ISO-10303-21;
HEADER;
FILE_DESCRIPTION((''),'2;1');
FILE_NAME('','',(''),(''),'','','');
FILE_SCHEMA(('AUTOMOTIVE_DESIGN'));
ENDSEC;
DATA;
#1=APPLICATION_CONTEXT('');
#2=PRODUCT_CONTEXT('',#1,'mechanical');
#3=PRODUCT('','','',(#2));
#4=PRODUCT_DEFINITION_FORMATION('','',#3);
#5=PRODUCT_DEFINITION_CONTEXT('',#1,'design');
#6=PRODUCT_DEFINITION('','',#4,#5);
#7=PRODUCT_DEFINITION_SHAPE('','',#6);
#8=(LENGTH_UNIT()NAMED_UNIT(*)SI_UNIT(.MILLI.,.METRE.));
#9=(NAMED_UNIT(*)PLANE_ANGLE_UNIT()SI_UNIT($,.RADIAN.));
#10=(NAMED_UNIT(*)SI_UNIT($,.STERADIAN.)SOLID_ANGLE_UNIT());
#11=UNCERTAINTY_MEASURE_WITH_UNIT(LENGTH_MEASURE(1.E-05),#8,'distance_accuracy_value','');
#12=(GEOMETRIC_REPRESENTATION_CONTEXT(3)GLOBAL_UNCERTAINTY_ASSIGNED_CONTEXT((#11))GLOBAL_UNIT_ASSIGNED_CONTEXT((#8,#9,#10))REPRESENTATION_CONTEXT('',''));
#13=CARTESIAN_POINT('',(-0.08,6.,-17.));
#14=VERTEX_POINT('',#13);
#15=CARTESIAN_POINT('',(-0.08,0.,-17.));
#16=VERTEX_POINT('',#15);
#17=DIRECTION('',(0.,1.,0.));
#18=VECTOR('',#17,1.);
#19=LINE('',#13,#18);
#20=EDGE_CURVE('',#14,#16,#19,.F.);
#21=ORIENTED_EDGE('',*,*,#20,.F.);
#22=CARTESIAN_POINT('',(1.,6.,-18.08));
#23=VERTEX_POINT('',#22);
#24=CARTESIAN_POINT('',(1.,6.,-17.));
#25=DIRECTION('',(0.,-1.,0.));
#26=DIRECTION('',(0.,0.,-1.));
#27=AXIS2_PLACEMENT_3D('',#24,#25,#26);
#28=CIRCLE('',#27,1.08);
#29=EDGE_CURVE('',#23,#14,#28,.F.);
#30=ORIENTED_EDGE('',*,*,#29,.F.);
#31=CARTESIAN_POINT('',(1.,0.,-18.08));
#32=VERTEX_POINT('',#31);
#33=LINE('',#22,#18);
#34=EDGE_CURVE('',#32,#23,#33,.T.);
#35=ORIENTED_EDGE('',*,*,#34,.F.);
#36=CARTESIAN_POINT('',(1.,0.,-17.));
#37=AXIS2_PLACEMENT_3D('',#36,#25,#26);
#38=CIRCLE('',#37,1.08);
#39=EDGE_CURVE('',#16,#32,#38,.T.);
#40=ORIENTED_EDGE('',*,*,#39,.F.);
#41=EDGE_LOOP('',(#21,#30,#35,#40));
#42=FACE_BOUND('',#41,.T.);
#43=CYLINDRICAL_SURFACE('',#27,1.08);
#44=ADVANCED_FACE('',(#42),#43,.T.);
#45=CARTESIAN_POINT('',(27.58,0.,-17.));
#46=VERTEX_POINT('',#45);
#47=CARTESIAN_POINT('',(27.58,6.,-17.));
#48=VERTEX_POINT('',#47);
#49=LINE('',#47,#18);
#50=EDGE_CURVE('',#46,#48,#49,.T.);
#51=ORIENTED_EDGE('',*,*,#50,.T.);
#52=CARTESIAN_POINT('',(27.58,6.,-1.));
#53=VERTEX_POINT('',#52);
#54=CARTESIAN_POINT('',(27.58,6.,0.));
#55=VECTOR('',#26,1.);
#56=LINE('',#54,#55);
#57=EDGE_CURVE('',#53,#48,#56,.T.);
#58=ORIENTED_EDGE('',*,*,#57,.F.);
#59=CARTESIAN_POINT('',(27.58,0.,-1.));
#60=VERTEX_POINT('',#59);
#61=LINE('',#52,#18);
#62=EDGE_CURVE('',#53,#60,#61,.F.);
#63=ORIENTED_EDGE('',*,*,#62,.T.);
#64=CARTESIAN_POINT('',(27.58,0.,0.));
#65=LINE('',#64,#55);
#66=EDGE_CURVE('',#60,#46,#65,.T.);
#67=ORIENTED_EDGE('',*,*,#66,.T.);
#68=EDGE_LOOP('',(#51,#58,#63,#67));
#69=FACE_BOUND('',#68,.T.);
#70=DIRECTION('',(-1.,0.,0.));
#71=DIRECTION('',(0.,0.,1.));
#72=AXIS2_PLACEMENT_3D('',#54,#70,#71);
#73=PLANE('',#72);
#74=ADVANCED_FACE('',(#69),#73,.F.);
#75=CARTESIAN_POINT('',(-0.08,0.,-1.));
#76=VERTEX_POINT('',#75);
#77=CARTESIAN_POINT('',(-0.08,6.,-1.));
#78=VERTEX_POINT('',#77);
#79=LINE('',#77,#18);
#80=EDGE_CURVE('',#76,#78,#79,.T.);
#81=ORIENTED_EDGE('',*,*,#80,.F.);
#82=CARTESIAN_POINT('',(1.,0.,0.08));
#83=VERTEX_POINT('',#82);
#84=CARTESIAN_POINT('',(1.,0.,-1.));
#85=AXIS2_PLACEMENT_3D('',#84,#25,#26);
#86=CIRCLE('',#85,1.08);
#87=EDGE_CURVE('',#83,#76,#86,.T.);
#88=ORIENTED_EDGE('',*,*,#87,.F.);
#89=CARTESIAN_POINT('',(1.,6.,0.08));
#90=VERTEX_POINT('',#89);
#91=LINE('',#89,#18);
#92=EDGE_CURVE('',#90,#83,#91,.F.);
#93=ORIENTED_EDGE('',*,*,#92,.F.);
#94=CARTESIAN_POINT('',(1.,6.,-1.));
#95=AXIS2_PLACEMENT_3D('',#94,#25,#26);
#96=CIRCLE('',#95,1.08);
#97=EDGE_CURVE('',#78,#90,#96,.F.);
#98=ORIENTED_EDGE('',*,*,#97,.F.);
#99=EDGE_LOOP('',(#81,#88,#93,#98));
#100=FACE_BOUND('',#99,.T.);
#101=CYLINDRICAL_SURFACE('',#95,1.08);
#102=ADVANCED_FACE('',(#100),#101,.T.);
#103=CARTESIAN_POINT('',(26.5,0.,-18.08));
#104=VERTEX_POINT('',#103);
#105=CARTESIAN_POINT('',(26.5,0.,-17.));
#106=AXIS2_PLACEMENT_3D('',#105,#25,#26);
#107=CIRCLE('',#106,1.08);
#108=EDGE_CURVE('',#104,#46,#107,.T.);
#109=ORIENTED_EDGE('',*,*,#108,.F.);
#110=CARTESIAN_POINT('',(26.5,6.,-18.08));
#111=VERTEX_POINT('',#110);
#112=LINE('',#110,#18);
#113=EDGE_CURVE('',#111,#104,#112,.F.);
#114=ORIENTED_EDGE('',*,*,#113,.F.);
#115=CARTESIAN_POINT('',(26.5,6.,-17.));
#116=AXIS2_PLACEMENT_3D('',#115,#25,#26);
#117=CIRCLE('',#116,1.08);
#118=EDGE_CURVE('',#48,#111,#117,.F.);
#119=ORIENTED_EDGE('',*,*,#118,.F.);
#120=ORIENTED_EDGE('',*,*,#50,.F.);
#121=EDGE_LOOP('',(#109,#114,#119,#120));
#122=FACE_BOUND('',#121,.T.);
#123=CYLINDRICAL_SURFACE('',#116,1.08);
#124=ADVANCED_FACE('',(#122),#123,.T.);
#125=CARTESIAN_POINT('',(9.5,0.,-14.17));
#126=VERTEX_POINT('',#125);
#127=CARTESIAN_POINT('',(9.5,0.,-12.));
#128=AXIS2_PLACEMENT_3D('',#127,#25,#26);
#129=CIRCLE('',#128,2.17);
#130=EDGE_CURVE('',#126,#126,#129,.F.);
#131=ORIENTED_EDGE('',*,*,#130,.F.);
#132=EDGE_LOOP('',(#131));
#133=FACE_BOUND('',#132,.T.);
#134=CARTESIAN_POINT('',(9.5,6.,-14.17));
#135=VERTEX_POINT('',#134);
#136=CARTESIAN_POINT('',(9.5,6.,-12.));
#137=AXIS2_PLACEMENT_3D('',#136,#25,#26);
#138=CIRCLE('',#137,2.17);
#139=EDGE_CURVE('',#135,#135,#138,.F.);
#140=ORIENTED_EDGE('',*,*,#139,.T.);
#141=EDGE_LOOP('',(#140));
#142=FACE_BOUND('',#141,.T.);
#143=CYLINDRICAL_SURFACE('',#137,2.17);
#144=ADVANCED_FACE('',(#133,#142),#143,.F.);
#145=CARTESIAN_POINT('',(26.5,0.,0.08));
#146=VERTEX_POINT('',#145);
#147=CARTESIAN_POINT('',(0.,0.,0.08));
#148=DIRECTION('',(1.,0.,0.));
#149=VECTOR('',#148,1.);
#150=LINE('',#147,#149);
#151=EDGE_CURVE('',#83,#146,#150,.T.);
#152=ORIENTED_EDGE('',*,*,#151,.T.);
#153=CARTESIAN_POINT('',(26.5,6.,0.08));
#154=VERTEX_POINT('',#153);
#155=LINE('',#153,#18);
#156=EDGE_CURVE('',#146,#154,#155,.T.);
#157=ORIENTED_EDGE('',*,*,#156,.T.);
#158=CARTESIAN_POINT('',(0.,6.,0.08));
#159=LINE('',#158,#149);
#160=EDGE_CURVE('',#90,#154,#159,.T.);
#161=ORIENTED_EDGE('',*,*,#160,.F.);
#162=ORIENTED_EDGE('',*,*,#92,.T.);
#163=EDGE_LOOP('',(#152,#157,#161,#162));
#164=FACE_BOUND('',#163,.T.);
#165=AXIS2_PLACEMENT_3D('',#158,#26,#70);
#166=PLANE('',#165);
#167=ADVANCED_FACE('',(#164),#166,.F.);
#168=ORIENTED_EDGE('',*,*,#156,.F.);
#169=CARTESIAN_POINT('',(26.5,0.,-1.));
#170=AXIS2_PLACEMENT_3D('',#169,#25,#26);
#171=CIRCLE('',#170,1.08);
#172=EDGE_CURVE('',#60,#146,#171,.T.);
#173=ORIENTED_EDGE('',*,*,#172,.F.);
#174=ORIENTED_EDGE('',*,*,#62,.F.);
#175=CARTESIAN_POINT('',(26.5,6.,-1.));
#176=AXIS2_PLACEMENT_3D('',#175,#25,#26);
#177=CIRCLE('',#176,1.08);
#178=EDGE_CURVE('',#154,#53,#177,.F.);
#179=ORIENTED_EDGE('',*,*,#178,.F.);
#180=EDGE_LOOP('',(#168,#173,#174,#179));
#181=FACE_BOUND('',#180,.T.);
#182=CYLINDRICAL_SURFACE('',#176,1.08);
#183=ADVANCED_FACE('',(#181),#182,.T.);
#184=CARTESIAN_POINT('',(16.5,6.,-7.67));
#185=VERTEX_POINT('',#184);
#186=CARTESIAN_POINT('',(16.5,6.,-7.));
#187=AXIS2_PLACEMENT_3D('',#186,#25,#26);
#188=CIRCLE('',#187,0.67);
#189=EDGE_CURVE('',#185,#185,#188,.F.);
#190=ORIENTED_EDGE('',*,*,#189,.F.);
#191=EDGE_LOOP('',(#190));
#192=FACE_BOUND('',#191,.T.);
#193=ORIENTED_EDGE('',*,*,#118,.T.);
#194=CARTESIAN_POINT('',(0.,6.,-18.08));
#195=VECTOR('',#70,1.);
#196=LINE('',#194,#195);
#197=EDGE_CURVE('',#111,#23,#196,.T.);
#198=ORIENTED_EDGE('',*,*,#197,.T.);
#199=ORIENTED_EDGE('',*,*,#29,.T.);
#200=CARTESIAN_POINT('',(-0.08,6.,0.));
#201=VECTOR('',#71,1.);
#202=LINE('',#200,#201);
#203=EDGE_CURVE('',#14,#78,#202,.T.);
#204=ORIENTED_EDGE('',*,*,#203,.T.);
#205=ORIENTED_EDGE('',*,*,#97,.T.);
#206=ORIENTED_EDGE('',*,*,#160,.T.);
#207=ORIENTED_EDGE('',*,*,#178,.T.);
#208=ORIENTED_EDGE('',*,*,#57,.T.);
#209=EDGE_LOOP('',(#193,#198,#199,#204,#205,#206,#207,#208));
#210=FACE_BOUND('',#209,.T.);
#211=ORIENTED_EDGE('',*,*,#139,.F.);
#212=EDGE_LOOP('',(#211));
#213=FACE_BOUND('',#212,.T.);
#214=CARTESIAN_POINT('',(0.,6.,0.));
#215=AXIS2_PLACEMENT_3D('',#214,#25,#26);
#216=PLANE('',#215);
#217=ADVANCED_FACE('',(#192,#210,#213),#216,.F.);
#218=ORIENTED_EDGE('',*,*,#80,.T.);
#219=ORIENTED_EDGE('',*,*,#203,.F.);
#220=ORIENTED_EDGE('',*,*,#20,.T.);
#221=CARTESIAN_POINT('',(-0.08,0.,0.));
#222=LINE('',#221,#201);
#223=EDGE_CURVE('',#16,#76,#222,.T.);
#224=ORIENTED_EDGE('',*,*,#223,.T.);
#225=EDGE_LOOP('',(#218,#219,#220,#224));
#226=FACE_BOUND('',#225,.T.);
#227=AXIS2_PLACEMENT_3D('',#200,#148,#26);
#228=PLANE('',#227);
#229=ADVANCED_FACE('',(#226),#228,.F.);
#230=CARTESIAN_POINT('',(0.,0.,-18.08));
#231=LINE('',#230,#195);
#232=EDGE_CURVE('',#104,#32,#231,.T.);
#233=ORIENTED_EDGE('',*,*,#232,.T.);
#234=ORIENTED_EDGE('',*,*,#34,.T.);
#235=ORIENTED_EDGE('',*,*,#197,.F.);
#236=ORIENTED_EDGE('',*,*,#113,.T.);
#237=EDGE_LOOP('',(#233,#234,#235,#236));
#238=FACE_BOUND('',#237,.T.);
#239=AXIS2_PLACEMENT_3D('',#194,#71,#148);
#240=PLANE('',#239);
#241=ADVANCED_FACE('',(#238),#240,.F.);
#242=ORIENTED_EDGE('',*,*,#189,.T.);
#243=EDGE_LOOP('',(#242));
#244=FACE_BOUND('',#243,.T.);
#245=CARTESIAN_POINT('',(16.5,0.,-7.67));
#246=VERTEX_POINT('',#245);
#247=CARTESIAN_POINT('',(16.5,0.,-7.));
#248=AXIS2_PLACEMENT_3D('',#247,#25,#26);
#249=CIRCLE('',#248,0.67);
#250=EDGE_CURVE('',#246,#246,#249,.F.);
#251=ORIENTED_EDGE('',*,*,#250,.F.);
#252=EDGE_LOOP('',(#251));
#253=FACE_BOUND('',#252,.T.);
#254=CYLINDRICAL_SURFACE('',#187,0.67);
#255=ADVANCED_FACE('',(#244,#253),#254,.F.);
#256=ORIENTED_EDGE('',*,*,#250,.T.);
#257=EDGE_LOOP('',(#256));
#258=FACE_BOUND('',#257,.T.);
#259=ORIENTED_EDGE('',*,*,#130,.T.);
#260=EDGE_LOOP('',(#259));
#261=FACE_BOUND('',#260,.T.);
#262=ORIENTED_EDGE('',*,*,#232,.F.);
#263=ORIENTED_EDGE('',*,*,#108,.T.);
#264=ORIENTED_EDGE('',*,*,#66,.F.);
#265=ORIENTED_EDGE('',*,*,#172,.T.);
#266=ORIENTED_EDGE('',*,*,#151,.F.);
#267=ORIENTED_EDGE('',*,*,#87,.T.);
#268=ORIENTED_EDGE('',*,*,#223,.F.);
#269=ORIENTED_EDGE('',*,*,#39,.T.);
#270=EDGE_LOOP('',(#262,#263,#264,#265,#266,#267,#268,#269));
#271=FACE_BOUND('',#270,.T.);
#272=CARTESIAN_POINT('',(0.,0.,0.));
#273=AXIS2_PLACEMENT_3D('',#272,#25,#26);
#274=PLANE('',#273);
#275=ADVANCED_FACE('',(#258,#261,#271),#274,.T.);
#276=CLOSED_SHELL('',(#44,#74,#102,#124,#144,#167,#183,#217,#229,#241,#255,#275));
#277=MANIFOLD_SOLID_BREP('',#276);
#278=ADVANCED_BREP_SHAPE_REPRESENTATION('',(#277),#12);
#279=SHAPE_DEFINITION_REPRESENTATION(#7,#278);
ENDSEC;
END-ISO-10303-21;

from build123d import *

# Parameters (mm, degrees)
SKETCH1_W           = 27.5
SKETCH1_H           = 18
SKETCH1_R           = 2.25
SKETCH1_R_2         = 0.75
BOSS_EXTRUDE1_DEPTH = 6
FILLET1_R           = 1
MOVE_FACE1_BY       = 0.08
MOVE_FACE1_2_BY     = 0.08
MOVE_FACE1_3_BY     = 0.08
MOVE_FACE1_4_BY     = 0.08
MOVE_FACE1_5_BY     = 0.08
MOVE_FACE1_6_BY     = 0.08
MOVE_FACE1_7_BY     = 0.08
MOVE_FACE1_8_BY     = 0.08
MOVE_FACE1_9_BY     = 0.08
MOVE_FACE1_10_BY    = 0.08


with BuildPart() as part:
    # Sketch1 → Boss-Extrude1 (new body)
    with BuildSketch(Plane(origin=(0, 0, 0), x_dir=(1, 0, 0), z_dir=(0, 1, 0))):
        with Locations((13.75, 9)):
            Rectangle(SKETCH1_W, SKETCH1_H)
        with Locations(Location((9.5, 12, 0), (0, 0, 270))):
            Circle(SKETCH1_R, mode=Mode.SUBTRACT)
        with Locations(Location((16.5, 7, 0), (0, 0, 270))):
            Circle(SKETCH1_R_2, mode=Mode.SUBTRACT)
    extrude(amount=BOSS_EXTRUDE1_DEPTH)

    # Fillet1
    fillet1_edges = [part.edges().sort_by_distance(p)[0] for p in [
        (0, 3, -18),
        (27.5, 3, -18),
        (27.5, 3, 0),
        (0, 3, 0),
    ]]
    fillet(fillet1_edges, radius=FILLET1_R)

    # Move Face1: a curved face moved outward by 0.08
    add(Solid.thicken(part.faces().sort_by_distance((16.5, 3, -7.75))[0], MOVE_FACE1_BY))

    # Move Face1 2: a curved face moved outward by 0.08
    add(Solid.thicken(part.faces().sort_by_distance((9.5, 3, -14.25))[0], MOVE_FACE1_2_BY))

    # Move Face1 3: a curved face moved outward by 0.08
    add(Solid.thicken(part.faces().sort_by_distance((0.292893219, 3, -0.292893219))[0], MOVE_FACE1_3_BY))

    # Move Face1 4: a face moved outward by 0.08
    extrude(part.faces().sort_by_distance((0, 3, -9))[0], amount=MOVE_FACE1_4_BY, dir=(-1, 0, 0))

    # Move Face1 5: a curved face moved outward by 0.08
    add(Solid.thicken(part.faces().sort_by_distance((0.292893219, 3, -17.707106781))[0], MOVE_FACE1_5_BY))

    # Move Face1 6: a face moved outward by 0.08
    extrude(part.faces().sort_by_distance((13.75, 3, -18))[0], amount=MOVE_FACE1_6_BY, dir=(0, 0, -1))

    # Move Face1 7: a curved face moved outward by 0.08
    add(Solid.thicken(part.faces().sort_by_distance((27.207106781, 3, -17.707106781))[0], MOVE_FACE1_7_BY))

    # Move Face1 8: a face moved outward by 0.08
    extrude(part.faces().sort_by_distance((27.5, 3, -9))[0], amount=MOVE_FACE1_8_BY, dir=(1, 0, 0))

    # Move Face1 9: a curved face moved outward by 0.08
    add(Solid.thicken(part.faces().sort_by_distance((27.207106781, 3, -0.292893219))[0], MOVE_FACE1_9_BY))

    # Move Face1 10: a face moved outward by 0.08
    extrude(part.faces().sort_by_distance((13.75, 3, 0))[0], amount=MOVE_FACE1_10_BY, dir=(0, 0, 1))


solid = part.part
